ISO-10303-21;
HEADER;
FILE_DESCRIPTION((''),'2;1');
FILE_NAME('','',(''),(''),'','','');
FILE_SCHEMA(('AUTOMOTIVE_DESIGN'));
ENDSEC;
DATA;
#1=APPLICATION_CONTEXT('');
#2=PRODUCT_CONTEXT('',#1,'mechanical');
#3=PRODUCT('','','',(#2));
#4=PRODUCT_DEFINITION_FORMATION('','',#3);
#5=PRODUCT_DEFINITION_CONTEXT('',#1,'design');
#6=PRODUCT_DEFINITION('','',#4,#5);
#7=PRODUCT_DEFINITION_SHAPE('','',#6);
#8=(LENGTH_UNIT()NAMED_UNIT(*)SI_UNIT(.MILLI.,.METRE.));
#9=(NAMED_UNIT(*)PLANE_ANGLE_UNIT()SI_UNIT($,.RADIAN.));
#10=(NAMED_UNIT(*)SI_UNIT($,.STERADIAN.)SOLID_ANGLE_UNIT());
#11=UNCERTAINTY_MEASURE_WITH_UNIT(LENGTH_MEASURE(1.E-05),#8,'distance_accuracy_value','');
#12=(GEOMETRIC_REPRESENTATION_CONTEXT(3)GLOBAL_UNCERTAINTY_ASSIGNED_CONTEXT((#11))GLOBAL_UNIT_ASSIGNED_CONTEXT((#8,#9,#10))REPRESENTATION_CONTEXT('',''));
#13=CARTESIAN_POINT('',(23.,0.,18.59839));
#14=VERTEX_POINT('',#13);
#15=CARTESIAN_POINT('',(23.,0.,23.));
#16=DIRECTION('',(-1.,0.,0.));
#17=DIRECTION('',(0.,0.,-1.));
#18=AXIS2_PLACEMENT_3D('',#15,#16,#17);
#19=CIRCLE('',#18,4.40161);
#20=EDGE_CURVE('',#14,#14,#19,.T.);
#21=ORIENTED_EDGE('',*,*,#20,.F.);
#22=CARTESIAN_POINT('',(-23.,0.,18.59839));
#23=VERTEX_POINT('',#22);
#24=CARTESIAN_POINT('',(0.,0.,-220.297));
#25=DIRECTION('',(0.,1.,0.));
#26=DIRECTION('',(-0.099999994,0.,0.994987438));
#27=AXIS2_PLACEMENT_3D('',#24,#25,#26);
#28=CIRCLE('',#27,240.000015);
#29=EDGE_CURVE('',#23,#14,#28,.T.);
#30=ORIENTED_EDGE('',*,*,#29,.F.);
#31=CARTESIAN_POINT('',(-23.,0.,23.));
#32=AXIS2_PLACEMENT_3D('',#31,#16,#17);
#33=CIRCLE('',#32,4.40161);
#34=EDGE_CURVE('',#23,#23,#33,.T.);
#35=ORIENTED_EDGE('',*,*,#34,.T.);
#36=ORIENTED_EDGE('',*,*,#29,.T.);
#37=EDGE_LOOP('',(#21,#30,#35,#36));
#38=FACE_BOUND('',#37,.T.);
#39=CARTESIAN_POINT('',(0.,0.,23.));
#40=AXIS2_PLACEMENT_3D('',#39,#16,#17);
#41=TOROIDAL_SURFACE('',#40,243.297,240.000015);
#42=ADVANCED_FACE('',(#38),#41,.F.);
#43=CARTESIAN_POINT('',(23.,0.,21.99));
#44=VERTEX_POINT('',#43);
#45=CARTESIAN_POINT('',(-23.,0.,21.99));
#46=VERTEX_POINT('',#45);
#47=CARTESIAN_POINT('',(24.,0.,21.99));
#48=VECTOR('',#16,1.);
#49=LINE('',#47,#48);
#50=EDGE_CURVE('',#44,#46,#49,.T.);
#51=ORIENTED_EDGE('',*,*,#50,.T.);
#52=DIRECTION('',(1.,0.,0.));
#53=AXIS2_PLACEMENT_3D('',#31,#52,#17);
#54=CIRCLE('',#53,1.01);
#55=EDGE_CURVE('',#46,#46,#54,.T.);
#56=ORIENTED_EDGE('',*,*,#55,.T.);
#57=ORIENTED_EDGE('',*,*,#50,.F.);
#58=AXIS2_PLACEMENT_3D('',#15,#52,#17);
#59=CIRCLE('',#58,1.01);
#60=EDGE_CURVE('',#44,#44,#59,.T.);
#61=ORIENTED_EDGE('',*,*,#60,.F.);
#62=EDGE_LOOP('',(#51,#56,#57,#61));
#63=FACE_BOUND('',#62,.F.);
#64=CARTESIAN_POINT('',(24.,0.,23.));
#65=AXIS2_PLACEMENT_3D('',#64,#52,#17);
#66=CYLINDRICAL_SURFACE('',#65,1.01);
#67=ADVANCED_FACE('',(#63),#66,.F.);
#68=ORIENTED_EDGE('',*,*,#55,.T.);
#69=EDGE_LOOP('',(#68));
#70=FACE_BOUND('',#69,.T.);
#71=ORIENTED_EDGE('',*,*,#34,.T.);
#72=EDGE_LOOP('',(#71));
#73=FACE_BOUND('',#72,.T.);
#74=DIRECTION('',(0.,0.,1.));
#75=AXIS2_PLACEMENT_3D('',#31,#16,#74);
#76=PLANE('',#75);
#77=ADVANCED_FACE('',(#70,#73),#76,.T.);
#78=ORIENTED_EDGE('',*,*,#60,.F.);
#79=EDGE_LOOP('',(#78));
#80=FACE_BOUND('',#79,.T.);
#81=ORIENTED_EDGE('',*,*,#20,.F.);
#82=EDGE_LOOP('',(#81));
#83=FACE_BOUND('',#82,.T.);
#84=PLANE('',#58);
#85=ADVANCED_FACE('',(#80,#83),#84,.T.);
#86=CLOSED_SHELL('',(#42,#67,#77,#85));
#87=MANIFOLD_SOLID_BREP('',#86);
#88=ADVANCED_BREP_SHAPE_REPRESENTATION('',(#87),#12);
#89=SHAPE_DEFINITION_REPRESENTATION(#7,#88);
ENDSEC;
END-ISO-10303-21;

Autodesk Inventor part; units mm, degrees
ref_plane "YZ Plane" through (0, 0, 0) normal (1, 0, 0) x (0, 1, 0)
ref_plane "XZ Plane" through (0, 0, 0) normal (0, 1, 0) x (-1, 0, 0)
ref_plane "XY Plane" through (0, 0, 0) normal (0, 0, 1) x (1, 0, 0)
sketch "Sketch1" plane through (0, 0, 0) normal (0, 1, 0) x (-1, 0, 0)
  line L0 (24, 18.5) -> (24, 23)
  line L1 (24, 23) -> (-24, 23)
  line L2 (-24, 23) -> (-24, 18.5)
  arc A0 (24, 18.5) -> (-24, 18.5) centre (0, -220.297) ccw
  point P0 (0, 0)
  dimension "d9" = 4.5
  dimension "d10" = 240
revolve "Revolution1" add sketch "Sketch1" angle 360 about axis through (-24, 0, 23) along (1, 0, 0)
sketch "Sketch2" plane through (24, 0, 23) normal (1, 0, 0) x (0, 0, -1)
  circle A0 centre (0, 0) radius 4.5 projected
  circle A1 centre (0, 0) radius 1.01
  point P0 (23, 0)
  dimension "d12" = 2.02
extrude "Extrusion1" cut sketch "Sketch2" against normal blind 48 contours A1
sketch "Sketch4" plane through (-24, 0, 23) normal (-1, 0, 0) x (0, 0, 1)
  circle A0 centre (0, 0) radius 1.01 projected
  circle A1 centre (0, 0) radius 4.5
  point P0 (-23, 0)
extrude "Extrusion2" cut sketch "Sketch4" against normal blind 1
sketch "Sketch5" plane through (24, 0, 23) normal (1, 0, 0) x (0, 0, -1)
  circle A0 centre (0, 0) radius 1.01 projected
  circle A1 centre (0, 0) radius 4.5
  point P0 (23, 0)
extrude "Extrusion3" cut sketch "Sketch5" against normal blind 1 contours A0 | A1
properties part number "Roller"
